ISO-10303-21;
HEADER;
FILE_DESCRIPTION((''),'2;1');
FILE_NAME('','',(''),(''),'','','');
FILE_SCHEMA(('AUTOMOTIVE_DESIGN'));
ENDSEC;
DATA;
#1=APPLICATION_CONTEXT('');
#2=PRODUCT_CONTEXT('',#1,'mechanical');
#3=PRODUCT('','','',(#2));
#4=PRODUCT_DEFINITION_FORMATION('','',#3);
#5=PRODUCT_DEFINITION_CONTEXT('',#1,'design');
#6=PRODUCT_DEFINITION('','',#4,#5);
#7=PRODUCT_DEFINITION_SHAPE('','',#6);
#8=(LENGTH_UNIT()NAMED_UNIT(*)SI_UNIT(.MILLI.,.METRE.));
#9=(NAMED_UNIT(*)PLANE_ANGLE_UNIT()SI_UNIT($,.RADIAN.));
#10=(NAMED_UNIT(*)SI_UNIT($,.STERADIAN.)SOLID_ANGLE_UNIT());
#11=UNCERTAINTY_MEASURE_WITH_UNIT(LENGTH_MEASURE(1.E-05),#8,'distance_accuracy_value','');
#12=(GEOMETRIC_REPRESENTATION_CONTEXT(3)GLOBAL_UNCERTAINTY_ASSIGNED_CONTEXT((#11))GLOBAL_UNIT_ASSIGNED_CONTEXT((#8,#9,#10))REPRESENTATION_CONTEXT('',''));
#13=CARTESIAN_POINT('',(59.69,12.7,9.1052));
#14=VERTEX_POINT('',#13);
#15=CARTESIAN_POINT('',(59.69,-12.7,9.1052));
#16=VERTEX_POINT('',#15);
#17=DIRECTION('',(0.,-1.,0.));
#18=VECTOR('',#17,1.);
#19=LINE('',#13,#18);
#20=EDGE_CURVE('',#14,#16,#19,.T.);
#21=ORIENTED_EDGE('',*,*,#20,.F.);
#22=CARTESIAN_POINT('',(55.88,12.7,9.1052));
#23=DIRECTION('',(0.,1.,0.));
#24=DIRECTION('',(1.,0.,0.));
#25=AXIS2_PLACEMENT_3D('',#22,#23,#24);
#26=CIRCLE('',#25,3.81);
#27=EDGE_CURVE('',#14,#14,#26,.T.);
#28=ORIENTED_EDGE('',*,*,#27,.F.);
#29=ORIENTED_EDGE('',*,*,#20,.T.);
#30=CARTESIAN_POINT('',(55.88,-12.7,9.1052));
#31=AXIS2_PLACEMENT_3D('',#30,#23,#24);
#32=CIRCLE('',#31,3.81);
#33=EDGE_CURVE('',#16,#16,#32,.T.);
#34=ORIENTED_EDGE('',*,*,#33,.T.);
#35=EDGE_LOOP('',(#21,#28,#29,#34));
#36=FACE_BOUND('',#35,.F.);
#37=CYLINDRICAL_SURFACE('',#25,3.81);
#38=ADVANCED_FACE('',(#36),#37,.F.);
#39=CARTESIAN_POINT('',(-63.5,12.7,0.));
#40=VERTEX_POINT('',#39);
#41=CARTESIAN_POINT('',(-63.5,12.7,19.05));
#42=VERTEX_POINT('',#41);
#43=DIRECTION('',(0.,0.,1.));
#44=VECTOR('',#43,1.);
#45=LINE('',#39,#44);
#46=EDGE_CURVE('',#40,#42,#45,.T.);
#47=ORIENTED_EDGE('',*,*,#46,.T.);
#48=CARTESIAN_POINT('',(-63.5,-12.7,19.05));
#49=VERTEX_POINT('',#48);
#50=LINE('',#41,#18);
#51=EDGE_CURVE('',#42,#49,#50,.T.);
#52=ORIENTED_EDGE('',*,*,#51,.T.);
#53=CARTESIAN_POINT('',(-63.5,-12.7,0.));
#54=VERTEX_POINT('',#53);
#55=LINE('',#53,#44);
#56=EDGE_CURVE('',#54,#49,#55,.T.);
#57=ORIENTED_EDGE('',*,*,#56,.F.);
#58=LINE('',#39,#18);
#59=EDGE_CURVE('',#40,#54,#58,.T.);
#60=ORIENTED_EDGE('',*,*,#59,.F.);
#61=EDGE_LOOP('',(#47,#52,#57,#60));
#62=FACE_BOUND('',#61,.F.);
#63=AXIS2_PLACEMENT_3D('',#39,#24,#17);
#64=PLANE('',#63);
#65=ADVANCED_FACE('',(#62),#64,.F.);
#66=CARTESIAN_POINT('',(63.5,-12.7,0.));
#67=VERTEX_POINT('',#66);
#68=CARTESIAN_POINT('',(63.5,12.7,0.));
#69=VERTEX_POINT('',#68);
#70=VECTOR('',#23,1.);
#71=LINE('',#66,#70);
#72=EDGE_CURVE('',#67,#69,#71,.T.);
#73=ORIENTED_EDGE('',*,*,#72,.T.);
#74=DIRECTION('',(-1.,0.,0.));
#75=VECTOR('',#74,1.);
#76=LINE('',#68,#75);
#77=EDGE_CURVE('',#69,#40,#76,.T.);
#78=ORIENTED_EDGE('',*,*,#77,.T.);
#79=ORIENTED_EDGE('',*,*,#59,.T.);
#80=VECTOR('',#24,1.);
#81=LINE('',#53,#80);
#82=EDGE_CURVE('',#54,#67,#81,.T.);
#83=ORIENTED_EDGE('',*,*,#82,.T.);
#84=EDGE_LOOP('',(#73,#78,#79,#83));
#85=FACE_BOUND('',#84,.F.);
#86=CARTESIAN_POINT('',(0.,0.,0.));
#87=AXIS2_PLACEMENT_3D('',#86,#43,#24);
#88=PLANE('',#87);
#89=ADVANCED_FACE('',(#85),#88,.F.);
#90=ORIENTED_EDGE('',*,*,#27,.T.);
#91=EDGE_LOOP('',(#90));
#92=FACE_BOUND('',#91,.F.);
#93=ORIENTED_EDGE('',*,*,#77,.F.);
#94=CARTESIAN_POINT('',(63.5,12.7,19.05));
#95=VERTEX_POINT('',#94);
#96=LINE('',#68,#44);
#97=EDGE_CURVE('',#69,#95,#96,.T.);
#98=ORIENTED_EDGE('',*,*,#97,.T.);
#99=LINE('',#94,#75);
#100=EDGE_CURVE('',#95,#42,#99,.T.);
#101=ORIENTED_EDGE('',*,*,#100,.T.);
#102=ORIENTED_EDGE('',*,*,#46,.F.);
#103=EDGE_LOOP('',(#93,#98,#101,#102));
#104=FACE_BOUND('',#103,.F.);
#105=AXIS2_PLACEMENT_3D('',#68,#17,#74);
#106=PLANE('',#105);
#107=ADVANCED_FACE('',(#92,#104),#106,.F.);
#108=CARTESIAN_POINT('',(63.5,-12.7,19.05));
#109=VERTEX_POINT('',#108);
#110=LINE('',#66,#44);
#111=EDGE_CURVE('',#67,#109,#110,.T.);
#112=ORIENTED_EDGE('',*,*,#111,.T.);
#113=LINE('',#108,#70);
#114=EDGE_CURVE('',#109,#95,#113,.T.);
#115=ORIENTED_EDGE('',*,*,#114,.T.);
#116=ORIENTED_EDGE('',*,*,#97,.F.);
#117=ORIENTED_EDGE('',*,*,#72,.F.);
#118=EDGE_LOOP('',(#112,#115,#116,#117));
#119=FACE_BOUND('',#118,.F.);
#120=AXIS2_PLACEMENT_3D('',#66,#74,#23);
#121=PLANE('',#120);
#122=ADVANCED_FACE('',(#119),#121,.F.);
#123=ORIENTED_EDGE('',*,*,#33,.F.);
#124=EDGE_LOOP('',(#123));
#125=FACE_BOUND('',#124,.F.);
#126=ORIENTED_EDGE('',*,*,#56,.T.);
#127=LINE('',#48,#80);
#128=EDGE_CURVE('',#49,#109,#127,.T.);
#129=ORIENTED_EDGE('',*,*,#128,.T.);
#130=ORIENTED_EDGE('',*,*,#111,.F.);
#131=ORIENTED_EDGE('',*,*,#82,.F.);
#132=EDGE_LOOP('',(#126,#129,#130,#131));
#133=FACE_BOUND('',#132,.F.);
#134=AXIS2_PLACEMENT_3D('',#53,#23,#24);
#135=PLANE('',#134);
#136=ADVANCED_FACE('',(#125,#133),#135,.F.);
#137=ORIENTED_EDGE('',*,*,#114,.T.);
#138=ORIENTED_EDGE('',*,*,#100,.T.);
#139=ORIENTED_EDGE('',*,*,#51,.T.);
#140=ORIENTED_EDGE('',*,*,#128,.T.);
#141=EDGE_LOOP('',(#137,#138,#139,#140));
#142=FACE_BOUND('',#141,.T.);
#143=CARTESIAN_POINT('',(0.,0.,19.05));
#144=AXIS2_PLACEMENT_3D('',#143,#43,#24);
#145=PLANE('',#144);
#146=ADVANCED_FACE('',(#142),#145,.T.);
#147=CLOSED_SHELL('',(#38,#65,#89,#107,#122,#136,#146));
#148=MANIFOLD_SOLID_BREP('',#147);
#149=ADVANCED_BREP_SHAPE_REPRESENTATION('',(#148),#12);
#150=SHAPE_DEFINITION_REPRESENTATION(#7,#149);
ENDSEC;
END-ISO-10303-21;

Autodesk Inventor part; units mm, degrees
ref_plane "YZ Plane" through (0, 0, 0) normal (1, 0, 0) x (0, 1, 0)
ref_plane "XZ Plane" through (0, 0, 0) normal (0, 1, 0) x (-1, 0, 0)
ref_plane "XY Plane" through (0, 0, 0) normal (0, 0, 1) x (1, 0, 0)
sketch "Sketch1" plane through (0, 0, 0) normal (0, 0, 1) x (1, 0, 0)
  line L0 (-63.5, -12.7) -> (63.5, -12.7)
  line L1 (63.5, -12.7) -> (63.5, 12.7)
  line L2 (63.5, 12.7) -> (-63.5, 12.7)
  line L3 (-63.5, 12.7) -> (-63.5, -12.7)
  line L4 (-63.5, -12.7) -> (63.5, 12.7) construction
  line L5 (63.5, -12.7) -> (-63.5, 12.7) construction
  point P0 (0, 0)
  dimension "d0" = 127
  dimension "d1" = 25.4
extrude "Extrusion1" add sketch "Sketch1" along normal blind 19.05
sketch "Sketch3" plane through (-63.5, 12.7, 0) normal (0, 1, 0) x (1, 0, 0)
  circle A0 centre (119.38, -9.1052) radius 3.81
  line L0 (0, 0) -> (0, -19.05) projected
  line L1 (127, 0) -> (127, -19.05) projected
  point P0 (63.5, 0)
  dimension "d12" = 7.62
  dimension "d14" = 7.62
extrude "Extrusion3" cut sketch "Sketch3" against normal blind 25.4
properties part number "Side Bar"
